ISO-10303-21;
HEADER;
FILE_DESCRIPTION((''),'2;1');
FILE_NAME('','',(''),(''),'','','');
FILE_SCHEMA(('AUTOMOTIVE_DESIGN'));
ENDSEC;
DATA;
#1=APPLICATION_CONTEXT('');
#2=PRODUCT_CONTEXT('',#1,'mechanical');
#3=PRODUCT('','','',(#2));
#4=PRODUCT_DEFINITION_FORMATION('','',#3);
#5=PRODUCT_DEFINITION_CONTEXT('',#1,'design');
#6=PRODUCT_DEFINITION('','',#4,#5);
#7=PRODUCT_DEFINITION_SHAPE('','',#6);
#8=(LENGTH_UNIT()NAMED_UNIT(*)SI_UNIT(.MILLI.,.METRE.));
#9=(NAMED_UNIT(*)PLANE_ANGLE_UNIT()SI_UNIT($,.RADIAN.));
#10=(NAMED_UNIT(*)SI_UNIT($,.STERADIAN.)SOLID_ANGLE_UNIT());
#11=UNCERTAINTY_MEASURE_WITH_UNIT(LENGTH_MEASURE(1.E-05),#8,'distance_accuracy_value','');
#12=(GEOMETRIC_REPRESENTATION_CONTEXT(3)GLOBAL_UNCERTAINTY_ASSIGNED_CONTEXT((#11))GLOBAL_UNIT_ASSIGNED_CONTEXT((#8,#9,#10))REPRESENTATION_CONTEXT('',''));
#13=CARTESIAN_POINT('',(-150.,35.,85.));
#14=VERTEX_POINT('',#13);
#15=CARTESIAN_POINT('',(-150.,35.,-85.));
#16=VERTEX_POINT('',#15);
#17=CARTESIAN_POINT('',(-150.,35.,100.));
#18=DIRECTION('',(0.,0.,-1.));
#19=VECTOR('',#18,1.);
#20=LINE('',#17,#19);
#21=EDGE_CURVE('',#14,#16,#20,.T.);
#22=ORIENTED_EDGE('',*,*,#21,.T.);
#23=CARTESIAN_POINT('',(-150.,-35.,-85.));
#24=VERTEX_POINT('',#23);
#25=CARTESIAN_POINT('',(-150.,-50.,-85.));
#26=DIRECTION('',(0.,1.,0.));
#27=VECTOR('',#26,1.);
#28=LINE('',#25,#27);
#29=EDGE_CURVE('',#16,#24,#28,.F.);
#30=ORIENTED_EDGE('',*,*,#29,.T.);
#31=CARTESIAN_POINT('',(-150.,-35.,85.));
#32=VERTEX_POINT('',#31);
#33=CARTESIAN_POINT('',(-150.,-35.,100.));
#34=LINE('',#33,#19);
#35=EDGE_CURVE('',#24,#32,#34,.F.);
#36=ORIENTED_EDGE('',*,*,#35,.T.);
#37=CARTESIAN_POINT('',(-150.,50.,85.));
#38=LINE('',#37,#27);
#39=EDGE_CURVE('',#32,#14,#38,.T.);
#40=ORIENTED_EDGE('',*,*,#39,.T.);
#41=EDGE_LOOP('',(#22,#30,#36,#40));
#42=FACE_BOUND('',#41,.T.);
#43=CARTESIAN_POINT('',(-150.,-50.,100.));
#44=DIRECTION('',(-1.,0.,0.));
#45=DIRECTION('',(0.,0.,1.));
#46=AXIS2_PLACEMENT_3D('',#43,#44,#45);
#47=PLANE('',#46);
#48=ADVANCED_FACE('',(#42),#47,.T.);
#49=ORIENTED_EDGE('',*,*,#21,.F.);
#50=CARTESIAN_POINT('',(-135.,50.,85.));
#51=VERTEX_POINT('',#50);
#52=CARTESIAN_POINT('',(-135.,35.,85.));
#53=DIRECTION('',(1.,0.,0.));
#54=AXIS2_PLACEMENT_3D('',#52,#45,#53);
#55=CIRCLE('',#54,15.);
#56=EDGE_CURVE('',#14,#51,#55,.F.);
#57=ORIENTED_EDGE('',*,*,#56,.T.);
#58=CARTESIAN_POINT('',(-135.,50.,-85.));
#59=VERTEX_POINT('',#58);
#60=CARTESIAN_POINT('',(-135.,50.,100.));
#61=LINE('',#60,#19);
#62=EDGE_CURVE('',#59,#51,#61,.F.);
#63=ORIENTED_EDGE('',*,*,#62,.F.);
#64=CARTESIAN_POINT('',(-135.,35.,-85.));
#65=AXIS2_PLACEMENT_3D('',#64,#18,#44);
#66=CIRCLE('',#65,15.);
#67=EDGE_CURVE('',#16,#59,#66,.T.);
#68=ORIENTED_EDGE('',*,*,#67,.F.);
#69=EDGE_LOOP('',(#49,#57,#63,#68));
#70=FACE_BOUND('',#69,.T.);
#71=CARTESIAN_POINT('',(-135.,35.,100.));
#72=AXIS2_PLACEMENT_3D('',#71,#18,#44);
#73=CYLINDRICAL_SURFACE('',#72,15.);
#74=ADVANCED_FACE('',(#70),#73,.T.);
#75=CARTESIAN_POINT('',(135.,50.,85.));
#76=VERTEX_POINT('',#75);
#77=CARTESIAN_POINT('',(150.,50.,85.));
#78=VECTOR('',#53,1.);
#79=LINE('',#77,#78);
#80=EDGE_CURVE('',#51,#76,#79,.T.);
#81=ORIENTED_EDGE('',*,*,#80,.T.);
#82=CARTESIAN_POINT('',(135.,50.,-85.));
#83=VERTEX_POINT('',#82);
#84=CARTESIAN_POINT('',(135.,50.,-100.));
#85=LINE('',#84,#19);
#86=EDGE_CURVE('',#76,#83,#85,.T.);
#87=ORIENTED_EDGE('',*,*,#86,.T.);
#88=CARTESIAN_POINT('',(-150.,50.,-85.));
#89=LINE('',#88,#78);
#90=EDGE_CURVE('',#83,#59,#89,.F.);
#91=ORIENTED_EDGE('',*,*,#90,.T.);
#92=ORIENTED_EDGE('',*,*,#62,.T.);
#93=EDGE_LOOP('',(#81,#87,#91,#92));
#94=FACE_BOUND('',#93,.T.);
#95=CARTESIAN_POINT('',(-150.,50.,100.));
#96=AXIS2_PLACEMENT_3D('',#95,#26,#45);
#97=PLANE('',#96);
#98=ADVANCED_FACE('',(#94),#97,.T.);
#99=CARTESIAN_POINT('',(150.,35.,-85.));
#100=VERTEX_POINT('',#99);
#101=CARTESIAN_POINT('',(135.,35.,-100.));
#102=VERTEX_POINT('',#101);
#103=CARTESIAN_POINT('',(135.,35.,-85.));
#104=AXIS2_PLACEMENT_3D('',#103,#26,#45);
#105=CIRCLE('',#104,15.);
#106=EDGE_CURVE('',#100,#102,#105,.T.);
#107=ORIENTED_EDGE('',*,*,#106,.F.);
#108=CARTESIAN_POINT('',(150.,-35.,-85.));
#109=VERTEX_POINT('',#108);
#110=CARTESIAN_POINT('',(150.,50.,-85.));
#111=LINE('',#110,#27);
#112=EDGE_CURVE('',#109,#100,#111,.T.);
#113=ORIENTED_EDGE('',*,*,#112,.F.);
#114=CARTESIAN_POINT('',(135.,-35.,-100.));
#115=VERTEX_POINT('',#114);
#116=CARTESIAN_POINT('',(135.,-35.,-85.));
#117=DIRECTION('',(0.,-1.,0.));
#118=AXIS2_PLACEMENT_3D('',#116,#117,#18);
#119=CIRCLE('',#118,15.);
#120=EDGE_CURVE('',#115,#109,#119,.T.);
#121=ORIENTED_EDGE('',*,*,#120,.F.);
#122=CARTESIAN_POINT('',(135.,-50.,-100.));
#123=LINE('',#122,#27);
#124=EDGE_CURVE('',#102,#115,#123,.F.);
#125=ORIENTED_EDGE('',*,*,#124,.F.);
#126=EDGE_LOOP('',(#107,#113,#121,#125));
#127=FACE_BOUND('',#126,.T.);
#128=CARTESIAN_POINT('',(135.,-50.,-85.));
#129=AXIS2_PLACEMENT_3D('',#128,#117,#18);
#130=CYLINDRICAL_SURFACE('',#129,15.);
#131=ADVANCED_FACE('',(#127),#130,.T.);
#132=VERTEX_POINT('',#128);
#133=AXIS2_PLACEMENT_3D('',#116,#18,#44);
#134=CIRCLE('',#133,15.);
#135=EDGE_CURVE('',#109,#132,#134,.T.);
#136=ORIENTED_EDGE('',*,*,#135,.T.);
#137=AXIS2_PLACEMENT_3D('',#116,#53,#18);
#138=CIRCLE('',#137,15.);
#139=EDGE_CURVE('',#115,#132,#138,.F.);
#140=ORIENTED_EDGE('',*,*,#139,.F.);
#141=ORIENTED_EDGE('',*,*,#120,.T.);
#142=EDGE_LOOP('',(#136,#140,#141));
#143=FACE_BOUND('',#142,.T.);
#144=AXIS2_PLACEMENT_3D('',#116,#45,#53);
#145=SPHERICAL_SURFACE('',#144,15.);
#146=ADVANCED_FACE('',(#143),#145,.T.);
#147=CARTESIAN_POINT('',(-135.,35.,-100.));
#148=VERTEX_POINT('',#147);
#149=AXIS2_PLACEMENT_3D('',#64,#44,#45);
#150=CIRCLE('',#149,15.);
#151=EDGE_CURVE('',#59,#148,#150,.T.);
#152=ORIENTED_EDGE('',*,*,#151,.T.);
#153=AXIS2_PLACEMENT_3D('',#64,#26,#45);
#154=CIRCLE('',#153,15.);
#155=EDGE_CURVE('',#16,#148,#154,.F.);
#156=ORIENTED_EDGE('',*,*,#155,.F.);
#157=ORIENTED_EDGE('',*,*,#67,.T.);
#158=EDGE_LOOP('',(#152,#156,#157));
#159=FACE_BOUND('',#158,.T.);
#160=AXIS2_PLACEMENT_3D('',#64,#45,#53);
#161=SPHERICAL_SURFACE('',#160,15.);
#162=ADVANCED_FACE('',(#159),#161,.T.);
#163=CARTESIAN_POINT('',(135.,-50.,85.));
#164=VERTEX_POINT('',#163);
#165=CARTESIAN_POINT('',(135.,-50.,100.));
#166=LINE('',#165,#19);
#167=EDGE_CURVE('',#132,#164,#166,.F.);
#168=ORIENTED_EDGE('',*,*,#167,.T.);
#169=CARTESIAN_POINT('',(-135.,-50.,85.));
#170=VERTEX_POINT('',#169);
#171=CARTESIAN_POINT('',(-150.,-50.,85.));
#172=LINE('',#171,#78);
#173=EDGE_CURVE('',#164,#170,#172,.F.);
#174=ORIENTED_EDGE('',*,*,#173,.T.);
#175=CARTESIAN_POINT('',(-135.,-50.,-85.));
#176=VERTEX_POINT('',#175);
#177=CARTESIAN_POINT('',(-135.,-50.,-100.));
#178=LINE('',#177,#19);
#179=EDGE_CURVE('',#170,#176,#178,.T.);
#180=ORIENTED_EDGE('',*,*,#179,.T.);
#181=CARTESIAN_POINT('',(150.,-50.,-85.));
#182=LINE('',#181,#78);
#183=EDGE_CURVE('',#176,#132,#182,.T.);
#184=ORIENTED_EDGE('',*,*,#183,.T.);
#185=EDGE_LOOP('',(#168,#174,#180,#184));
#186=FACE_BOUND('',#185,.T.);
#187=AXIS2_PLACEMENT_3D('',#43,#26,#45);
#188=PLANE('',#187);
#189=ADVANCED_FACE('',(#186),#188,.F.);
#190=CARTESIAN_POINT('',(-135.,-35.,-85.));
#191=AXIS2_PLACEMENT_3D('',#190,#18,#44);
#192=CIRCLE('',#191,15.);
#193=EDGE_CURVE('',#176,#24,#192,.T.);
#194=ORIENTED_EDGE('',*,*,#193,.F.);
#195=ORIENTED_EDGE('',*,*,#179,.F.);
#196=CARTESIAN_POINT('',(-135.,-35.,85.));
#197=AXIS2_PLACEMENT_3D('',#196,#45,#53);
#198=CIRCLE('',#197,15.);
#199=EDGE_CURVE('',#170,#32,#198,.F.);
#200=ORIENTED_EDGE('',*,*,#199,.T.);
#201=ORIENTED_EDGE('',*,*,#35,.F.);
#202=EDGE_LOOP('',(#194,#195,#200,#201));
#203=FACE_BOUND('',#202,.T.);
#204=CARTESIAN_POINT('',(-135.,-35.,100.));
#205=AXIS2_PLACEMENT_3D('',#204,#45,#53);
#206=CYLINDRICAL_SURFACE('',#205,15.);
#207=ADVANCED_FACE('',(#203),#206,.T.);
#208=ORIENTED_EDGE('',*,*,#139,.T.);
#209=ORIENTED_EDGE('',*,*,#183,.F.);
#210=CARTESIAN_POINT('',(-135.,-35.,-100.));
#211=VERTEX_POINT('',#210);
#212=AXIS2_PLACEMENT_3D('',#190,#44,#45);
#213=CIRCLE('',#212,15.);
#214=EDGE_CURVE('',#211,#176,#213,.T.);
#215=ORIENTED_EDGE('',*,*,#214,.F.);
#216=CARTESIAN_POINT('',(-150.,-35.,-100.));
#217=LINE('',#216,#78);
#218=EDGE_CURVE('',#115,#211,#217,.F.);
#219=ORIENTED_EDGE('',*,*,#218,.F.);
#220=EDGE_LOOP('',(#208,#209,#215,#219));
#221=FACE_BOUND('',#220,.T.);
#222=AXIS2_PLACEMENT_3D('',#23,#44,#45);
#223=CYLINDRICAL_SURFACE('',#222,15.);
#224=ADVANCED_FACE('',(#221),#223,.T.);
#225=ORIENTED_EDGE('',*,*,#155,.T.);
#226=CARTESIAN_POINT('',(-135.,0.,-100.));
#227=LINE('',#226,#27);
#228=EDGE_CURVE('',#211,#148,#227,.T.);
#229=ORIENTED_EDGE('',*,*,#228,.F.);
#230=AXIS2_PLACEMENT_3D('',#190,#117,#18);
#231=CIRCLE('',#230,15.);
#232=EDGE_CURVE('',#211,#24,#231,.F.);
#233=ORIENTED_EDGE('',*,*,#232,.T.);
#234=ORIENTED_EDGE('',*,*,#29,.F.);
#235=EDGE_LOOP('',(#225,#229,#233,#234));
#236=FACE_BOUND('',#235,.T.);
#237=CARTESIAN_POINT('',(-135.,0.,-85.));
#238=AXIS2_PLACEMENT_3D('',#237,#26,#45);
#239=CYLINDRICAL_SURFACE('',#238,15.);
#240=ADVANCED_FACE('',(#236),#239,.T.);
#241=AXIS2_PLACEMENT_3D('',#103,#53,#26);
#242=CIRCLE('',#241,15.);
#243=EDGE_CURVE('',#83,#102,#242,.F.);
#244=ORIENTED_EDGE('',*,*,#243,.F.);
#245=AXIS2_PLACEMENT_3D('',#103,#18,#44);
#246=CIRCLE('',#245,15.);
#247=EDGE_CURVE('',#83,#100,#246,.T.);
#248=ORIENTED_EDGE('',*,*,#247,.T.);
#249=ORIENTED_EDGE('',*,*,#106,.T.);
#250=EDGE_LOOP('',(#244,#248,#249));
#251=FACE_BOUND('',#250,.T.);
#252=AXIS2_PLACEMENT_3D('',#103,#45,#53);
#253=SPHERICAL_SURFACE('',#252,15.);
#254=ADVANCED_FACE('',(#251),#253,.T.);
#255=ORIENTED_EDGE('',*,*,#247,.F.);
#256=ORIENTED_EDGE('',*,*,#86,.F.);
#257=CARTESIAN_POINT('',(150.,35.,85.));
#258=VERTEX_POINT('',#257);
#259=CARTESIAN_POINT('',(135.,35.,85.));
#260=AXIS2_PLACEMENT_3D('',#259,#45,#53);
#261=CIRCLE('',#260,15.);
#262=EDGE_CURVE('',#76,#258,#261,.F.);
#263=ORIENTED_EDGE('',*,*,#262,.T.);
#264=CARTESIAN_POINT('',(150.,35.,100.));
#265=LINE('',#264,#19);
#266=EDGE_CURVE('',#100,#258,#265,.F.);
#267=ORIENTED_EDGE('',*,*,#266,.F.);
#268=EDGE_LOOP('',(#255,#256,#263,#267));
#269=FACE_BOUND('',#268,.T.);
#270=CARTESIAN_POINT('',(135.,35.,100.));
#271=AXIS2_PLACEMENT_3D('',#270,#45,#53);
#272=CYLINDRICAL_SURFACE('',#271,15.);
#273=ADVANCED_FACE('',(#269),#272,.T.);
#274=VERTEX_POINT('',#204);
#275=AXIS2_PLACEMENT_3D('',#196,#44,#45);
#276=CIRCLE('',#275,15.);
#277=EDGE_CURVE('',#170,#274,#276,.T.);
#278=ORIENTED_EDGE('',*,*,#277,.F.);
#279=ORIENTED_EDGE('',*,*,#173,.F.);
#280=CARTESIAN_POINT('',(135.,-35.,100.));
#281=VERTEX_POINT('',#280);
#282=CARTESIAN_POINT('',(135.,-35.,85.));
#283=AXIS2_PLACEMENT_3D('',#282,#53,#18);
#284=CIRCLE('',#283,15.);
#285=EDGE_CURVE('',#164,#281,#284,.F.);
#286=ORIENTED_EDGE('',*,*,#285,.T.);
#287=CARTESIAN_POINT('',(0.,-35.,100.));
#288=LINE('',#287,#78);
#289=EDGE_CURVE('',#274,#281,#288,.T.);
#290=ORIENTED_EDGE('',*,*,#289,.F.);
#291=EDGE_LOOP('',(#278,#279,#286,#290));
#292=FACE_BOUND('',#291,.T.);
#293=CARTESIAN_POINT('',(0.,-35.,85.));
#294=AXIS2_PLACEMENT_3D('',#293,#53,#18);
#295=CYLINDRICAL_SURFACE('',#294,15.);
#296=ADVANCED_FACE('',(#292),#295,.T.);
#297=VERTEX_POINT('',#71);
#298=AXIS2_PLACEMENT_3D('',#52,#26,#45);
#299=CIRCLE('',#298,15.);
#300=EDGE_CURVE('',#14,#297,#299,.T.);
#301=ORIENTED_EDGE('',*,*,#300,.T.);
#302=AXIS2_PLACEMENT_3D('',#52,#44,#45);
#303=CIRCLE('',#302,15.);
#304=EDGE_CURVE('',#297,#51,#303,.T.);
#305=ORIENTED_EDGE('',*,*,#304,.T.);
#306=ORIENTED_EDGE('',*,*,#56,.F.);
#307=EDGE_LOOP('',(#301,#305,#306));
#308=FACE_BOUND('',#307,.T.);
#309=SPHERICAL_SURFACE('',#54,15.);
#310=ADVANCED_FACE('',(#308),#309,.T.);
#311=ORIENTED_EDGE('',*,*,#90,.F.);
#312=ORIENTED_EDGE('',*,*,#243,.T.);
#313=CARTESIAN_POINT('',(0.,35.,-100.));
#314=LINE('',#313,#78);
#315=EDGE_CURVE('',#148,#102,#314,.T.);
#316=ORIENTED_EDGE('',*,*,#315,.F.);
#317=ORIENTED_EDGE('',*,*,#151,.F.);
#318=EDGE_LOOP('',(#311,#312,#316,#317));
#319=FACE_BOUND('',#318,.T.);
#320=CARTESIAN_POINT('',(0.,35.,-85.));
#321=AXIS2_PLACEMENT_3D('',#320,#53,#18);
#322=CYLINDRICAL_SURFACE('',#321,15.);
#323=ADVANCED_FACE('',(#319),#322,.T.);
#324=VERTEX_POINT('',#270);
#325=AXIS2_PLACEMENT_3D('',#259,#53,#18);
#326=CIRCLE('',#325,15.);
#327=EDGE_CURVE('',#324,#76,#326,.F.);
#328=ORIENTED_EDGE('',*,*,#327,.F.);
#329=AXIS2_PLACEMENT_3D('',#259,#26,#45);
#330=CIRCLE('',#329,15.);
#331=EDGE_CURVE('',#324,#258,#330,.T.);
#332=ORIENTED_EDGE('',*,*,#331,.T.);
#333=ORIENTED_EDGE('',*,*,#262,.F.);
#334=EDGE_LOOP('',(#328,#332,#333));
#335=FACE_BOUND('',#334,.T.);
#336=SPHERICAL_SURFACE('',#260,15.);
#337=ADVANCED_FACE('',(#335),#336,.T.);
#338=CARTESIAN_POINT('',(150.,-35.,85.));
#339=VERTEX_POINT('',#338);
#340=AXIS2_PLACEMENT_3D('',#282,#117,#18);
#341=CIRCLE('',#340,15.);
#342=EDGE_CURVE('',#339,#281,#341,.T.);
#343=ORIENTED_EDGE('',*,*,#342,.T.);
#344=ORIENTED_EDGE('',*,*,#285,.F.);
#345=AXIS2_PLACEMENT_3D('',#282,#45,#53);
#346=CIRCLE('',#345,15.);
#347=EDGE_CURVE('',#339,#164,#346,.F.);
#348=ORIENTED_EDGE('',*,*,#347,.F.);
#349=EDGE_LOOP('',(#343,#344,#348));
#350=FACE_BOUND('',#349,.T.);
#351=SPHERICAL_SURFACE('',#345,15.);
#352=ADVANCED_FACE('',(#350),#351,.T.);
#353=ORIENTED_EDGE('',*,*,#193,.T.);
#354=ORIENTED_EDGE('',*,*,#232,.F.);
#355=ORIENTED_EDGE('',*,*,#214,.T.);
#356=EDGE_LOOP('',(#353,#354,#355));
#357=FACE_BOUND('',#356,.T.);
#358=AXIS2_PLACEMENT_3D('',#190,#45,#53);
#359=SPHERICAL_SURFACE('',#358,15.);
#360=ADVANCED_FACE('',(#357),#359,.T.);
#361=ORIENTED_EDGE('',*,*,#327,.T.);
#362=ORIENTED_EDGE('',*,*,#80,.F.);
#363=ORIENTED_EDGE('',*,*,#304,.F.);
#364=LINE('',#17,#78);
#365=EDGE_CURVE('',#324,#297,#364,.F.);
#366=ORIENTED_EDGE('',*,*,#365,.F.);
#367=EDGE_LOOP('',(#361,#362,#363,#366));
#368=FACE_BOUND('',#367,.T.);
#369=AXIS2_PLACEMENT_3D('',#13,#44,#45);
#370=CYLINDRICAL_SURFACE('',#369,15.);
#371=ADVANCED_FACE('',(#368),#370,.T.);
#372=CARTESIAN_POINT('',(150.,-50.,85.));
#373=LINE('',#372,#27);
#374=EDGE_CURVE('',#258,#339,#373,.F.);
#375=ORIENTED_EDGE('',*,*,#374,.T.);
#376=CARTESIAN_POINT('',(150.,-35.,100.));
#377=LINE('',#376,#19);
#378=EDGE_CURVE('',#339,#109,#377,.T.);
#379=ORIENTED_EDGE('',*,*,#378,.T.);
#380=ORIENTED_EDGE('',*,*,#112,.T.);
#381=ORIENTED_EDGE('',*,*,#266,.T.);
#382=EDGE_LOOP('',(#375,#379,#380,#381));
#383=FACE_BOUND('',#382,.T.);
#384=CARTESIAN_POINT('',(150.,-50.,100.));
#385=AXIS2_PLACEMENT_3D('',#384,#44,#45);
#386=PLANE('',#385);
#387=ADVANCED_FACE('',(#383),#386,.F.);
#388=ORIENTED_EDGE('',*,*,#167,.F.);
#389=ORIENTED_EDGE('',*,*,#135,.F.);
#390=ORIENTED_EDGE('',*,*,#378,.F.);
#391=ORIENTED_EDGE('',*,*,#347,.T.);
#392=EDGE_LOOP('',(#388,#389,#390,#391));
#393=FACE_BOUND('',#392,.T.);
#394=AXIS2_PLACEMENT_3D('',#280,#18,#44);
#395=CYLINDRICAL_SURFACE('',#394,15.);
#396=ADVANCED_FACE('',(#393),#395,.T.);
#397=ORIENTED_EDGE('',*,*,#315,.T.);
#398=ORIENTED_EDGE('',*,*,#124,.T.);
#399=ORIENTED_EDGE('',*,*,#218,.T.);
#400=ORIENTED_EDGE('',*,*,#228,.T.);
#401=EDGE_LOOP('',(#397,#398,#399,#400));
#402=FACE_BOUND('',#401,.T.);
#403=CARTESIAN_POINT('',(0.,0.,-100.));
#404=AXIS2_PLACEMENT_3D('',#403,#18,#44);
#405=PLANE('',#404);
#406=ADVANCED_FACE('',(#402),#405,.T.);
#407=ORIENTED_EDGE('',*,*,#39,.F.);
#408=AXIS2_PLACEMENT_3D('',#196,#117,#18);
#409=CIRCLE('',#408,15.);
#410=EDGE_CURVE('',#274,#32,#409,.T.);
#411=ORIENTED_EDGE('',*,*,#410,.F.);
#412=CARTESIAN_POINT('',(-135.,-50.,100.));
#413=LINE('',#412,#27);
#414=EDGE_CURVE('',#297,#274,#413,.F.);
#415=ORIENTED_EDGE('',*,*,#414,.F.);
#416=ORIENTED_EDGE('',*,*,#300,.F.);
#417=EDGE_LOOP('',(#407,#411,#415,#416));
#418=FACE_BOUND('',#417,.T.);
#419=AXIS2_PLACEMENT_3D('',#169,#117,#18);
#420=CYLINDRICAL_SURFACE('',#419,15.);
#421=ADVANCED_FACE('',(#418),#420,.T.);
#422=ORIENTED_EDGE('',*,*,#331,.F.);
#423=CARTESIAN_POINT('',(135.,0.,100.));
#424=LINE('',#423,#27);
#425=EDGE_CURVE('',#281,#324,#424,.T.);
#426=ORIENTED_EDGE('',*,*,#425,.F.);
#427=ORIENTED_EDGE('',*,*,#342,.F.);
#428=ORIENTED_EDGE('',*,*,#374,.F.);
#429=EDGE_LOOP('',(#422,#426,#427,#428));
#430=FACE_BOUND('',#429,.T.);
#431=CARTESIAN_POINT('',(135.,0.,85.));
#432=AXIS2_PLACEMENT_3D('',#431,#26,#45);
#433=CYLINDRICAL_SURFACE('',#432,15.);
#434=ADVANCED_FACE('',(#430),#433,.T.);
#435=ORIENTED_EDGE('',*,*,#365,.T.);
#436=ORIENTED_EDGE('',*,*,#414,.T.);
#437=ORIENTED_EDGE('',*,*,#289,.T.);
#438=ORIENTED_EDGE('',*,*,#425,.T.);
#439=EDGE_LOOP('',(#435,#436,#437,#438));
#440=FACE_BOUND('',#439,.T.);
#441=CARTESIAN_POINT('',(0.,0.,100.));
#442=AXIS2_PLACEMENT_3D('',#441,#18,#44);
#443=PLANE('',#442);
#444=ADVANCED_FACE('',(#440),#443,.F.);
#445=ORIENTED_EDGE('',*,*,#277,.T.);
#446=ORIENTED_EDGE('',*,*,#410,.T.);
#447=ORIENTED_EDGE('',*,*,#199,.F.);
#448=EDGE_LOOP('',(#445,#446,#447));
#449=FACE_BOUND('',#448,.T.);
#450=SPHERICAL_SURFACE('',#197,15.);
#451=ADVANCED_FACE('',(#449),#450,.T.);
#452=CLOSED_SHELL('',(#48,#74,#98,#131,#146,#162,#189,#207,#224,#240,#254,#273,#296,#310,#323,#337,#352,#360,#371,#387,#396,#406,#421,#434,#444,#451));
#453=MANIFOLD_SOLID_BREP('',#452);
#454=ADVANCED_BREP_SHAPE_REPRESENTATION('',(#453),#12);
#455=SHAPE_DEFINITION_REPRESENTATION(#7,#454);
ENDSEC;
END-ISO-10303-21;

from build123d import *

# Parameters (mm, degrees)
SKETCH2_W           = 300
SKETCH2_H           = 100
BOSS_EXTRUDE1_DEPTH = 100
FILLET1_R           = 15


with BuildPart() as part:
    # Sketch2 → Boss-Extrude1 (new, symmetric)
    with BuildSketch(Plane.XY):
        Rectangle(SKETCH2_W, SKETCH2_H)
    extrude(amount=BOSS_EXTRUDE1_DEPTH, both=True)

    # Fillet1
    fillet1_edges = [part.edges().sort_by_distance(p)[0] for p in [
        (150, 0, 100),
        (0, -50, 100),
        (-150, 0, 100),
        (0, -50, -100),
        (150, 0, -100),
        (0, 50, -100),
        (-150, 0, -100),
        (-150, -50, 0),
        (150, -50, 0),
        (150, 50, 0),
        (-150, 50, 0),
        (0, 50, 100),
    ]]
    fillet(fillet1_edges, radius=FILLET1_R)


solid = part.part
